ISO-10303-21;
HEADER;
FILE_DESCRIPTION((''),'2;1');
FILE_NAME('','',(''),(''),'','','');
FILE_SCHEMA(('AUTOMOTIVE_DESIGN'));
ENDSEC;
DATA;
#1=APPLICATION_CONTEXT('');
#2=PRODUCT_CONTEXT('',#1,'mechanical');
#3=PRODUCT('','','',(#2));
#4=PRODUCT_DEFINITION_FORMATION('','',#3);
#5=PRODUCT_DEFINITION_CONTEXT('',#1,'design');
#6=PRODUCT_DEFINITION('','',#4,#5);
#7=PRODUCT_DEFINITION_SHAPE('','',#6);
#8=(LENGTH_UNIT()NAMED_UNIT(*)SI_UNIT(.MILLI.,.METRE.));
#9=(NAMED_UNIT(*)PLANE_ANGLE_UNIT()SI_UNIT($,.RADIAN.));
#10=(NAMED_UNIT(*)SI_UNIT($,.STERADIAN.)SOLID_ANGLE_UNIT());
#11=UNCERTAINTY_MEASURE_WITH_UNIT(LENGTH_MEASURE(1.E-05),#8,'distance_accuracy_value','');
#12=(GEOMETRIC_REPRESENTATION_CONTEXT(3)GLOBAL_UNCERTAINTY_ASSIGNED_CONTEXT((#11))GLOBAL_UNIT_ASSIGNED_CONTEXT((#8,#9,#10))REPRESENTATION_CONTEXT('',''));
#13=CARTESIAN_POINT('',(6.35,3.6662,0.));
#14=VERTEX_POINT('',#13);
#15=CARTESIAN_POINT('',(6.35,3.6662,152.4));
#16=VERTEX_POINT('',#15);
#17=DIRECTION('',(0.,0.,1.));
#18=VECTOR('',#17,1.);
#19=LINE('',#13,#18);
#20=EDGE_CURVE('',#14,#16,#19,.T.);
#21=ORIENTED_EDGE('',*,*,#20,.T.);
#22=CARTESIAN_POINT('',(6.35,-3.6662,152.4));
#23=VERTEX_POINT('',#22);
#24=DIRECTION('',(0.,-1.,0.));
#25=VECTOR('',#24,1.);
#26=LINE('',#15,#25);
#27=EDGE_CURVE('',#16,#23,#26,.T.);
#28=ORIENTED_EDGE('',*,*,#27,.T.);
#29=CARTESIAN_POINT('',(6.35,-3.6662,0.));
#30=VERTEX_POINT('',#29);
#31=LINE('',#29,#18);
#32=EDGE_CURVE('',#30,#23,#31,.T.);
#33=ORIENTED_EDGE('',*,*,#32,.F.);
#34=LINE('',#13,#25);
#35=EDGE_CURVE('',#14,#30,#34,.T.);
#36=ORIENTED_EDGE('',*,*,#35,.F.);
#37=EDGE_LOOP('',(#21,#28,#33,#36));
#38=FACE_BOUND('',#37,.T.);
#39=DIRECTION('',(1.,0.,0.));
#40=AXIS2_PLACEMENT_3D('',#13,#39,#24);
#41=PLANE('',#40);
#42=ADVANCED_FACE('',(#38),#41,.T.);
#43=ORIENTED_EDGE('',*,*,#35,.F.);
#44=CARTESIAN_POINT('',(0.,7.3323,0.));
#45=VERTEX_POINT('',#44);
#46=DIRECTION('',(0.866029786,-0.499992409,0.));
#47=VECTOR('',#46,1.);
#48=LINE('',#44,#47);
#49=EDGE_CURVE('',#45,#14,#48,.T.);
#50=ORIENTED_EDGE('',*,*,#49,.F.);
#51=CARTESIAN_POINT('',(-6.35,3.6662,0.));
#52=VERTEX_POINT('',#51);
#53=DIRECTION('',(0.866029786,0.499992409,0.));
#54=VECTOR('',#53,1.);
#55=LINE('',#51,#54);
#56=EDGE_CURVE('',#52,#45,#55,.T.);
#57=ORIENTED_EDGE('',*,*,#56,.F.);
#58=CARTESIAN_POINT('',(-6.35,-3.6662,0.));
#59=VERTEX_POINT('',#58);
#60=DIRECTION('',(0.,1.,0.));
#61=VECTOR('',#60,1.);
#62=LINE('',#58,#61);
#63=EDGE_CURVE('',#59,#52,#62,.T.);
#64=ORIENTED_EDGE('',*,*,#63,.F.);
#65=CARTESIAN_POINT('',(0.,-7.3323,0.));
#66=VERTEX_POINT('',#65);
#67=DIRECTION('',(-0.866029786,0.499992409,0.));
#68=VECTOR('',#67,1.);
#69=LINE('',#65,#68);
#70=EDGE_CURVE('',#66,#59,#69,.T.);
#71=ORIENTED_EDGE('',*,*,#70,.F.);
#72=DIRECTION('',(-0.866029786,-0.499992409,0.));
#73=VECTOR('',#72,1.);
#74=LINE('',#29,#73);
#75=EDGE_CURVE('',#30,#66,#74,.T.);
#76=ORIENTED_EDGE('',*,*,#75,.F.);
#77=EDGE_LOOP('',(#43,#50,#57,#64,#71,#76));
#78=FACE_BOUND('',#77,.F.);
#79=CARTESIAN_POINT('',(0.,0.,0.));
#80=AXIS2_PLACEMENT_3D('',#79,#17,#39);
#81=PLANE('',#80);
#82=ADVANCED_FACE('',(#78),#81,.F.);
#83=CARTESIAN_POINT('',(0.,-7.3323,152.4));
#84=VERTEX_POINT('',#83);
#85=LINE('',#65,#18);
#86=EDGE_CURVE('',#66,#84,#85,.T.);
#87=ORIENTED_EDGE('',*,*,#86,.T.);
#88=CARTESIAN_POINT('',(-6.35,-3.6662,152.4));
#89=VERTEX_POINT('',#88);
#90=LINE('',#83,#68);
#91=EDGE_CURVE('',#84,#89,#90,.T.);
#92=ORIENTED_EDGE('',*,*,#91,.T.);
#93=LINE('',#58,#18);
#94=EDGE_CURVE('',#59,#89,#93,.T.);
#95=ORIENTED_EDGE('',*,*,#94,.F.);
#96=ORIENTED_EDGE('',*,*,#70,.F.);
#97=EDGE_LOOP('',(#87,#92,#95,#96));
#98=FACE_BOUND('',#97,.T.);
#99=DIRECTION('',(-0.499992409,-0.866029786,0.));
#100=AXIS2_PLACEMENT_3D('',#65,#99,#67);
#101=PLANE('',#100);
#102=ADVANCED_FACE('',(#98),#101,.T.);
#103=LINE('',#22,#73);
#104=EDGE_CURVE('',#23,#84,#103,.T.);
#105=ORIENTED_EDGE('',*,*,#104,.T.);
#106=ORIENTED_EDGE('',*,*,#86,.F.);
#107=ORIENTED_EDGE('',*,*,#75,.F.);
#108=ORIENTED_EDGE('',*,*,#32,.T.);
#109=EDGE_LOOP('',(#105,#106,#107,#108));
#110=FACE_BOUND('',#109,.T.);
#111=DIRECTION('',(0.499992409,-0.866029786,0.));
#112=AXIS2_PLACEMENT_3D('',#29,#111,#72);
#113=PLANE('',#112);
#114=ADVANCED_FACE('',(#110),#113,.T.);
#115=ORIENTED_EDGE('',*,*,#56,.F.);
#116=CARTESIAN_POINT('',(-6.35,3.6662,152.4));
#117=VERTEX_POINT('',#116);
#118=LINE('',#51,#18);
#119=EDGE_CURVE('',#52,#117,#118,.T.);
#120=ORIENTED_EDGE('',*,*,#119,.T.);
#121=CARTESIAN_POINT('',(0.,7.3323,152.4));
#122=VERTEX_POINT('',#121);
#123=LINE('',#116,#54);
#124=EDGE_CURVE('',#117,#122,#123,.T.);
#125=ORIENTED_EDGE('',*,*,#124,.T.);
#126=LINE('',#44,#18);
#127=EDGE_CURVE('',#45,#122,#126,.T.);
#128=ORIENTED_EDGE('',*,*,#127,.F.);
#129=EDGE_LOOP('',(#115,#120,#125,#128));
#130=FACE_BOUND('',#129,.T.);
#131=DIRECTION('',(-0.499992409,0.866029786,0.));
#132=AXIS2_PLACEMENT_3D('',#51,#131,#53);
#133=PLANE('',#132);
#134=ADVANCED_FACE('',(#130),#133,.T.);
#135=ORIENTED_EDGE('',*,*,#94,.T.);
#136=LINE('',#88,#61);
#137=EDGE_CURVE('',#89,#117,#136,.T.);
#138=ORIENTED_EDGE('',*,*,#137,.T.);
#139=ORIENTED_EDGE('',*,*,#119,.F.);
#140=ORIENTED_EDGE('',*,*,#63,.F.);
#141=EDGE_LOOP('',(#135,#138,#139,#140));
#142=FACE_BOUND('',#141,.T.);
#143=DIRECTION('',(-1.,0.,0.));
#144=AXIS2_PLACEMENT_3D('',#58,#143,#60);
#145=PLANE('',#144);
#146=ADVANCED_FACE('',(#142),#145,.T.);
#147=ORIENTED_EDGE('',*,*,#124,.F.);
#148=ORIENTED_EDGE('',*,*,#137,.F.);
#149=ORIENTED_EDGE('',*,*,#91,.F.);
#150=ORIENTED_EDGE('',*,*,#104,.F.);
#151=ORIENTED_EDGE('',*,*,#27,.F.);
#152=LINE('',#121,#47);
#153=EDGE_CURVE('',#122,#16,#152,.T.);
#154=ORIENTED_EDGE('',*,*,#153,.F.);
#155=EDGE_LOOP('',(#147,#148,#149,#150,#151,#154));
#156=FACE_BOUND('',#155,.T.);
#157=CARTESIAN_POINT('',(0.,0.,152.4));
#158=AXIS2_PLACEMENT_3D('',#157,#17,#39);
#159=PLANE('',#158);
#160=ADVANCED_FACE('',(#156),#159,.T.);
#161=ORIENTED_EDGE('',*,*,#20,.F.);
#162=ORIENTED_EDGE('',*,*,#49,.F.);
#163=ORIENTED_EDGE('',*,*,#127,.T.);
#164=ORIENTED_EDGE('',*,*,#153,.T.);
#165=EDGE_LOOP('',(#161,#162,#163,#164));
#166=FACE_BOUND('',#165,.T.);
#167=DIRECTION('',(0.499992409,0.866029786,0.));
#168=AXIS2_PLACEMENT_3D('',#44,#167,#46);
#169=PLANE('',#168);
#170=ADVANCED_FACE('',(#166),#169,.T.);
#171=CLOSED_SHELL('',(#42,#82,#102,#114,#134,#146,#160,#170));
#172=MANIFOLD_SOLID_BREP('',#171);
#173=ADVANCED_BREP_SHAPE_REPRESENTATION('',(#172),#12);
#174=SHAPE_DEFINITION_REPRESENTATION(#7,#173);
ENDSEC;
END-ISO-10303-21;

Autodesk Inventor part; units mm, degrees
ref_plane "YZ Plane" through (0, 0, 0) normal (1, 0, 0) x (0, 1, 0)
ref_plane "XZ Plane" through (0, 0, 0) normal (0, 1, 0) x (-1, 0, 0)
ref_plane "XY Plane" through (0, 0, 0) normal (0, 0, 1) x (1, 0, 0)
sketch "Sketch1" plane through (0, 0, 0) normal (0, 0, 1) x (1, 0, 0)
  line L0 (0, 7.3323) -> (6.35, 3.6662)
  line L1 (6.35, 3.6662) -> (6.35, -3.6662)
  line L2 (6.35, -3.6662) -> (0, -7.3323)
  line L3 (0, -7.3323) -> (-6.35, -3.6662)
  line L4 (-6.35, -3.6662) -> (-6.35, 3.6662)
  line L5 (-6.35, 3.6662) -> (0, 7.3323)
  point P0 (0, 0)
  point P1 (0, 0)
  dimension "d0" = 12.7
extrude "Extrusion1" add sketch "Sketch1" along normal blind 152.4
properties part number "deleteme"
